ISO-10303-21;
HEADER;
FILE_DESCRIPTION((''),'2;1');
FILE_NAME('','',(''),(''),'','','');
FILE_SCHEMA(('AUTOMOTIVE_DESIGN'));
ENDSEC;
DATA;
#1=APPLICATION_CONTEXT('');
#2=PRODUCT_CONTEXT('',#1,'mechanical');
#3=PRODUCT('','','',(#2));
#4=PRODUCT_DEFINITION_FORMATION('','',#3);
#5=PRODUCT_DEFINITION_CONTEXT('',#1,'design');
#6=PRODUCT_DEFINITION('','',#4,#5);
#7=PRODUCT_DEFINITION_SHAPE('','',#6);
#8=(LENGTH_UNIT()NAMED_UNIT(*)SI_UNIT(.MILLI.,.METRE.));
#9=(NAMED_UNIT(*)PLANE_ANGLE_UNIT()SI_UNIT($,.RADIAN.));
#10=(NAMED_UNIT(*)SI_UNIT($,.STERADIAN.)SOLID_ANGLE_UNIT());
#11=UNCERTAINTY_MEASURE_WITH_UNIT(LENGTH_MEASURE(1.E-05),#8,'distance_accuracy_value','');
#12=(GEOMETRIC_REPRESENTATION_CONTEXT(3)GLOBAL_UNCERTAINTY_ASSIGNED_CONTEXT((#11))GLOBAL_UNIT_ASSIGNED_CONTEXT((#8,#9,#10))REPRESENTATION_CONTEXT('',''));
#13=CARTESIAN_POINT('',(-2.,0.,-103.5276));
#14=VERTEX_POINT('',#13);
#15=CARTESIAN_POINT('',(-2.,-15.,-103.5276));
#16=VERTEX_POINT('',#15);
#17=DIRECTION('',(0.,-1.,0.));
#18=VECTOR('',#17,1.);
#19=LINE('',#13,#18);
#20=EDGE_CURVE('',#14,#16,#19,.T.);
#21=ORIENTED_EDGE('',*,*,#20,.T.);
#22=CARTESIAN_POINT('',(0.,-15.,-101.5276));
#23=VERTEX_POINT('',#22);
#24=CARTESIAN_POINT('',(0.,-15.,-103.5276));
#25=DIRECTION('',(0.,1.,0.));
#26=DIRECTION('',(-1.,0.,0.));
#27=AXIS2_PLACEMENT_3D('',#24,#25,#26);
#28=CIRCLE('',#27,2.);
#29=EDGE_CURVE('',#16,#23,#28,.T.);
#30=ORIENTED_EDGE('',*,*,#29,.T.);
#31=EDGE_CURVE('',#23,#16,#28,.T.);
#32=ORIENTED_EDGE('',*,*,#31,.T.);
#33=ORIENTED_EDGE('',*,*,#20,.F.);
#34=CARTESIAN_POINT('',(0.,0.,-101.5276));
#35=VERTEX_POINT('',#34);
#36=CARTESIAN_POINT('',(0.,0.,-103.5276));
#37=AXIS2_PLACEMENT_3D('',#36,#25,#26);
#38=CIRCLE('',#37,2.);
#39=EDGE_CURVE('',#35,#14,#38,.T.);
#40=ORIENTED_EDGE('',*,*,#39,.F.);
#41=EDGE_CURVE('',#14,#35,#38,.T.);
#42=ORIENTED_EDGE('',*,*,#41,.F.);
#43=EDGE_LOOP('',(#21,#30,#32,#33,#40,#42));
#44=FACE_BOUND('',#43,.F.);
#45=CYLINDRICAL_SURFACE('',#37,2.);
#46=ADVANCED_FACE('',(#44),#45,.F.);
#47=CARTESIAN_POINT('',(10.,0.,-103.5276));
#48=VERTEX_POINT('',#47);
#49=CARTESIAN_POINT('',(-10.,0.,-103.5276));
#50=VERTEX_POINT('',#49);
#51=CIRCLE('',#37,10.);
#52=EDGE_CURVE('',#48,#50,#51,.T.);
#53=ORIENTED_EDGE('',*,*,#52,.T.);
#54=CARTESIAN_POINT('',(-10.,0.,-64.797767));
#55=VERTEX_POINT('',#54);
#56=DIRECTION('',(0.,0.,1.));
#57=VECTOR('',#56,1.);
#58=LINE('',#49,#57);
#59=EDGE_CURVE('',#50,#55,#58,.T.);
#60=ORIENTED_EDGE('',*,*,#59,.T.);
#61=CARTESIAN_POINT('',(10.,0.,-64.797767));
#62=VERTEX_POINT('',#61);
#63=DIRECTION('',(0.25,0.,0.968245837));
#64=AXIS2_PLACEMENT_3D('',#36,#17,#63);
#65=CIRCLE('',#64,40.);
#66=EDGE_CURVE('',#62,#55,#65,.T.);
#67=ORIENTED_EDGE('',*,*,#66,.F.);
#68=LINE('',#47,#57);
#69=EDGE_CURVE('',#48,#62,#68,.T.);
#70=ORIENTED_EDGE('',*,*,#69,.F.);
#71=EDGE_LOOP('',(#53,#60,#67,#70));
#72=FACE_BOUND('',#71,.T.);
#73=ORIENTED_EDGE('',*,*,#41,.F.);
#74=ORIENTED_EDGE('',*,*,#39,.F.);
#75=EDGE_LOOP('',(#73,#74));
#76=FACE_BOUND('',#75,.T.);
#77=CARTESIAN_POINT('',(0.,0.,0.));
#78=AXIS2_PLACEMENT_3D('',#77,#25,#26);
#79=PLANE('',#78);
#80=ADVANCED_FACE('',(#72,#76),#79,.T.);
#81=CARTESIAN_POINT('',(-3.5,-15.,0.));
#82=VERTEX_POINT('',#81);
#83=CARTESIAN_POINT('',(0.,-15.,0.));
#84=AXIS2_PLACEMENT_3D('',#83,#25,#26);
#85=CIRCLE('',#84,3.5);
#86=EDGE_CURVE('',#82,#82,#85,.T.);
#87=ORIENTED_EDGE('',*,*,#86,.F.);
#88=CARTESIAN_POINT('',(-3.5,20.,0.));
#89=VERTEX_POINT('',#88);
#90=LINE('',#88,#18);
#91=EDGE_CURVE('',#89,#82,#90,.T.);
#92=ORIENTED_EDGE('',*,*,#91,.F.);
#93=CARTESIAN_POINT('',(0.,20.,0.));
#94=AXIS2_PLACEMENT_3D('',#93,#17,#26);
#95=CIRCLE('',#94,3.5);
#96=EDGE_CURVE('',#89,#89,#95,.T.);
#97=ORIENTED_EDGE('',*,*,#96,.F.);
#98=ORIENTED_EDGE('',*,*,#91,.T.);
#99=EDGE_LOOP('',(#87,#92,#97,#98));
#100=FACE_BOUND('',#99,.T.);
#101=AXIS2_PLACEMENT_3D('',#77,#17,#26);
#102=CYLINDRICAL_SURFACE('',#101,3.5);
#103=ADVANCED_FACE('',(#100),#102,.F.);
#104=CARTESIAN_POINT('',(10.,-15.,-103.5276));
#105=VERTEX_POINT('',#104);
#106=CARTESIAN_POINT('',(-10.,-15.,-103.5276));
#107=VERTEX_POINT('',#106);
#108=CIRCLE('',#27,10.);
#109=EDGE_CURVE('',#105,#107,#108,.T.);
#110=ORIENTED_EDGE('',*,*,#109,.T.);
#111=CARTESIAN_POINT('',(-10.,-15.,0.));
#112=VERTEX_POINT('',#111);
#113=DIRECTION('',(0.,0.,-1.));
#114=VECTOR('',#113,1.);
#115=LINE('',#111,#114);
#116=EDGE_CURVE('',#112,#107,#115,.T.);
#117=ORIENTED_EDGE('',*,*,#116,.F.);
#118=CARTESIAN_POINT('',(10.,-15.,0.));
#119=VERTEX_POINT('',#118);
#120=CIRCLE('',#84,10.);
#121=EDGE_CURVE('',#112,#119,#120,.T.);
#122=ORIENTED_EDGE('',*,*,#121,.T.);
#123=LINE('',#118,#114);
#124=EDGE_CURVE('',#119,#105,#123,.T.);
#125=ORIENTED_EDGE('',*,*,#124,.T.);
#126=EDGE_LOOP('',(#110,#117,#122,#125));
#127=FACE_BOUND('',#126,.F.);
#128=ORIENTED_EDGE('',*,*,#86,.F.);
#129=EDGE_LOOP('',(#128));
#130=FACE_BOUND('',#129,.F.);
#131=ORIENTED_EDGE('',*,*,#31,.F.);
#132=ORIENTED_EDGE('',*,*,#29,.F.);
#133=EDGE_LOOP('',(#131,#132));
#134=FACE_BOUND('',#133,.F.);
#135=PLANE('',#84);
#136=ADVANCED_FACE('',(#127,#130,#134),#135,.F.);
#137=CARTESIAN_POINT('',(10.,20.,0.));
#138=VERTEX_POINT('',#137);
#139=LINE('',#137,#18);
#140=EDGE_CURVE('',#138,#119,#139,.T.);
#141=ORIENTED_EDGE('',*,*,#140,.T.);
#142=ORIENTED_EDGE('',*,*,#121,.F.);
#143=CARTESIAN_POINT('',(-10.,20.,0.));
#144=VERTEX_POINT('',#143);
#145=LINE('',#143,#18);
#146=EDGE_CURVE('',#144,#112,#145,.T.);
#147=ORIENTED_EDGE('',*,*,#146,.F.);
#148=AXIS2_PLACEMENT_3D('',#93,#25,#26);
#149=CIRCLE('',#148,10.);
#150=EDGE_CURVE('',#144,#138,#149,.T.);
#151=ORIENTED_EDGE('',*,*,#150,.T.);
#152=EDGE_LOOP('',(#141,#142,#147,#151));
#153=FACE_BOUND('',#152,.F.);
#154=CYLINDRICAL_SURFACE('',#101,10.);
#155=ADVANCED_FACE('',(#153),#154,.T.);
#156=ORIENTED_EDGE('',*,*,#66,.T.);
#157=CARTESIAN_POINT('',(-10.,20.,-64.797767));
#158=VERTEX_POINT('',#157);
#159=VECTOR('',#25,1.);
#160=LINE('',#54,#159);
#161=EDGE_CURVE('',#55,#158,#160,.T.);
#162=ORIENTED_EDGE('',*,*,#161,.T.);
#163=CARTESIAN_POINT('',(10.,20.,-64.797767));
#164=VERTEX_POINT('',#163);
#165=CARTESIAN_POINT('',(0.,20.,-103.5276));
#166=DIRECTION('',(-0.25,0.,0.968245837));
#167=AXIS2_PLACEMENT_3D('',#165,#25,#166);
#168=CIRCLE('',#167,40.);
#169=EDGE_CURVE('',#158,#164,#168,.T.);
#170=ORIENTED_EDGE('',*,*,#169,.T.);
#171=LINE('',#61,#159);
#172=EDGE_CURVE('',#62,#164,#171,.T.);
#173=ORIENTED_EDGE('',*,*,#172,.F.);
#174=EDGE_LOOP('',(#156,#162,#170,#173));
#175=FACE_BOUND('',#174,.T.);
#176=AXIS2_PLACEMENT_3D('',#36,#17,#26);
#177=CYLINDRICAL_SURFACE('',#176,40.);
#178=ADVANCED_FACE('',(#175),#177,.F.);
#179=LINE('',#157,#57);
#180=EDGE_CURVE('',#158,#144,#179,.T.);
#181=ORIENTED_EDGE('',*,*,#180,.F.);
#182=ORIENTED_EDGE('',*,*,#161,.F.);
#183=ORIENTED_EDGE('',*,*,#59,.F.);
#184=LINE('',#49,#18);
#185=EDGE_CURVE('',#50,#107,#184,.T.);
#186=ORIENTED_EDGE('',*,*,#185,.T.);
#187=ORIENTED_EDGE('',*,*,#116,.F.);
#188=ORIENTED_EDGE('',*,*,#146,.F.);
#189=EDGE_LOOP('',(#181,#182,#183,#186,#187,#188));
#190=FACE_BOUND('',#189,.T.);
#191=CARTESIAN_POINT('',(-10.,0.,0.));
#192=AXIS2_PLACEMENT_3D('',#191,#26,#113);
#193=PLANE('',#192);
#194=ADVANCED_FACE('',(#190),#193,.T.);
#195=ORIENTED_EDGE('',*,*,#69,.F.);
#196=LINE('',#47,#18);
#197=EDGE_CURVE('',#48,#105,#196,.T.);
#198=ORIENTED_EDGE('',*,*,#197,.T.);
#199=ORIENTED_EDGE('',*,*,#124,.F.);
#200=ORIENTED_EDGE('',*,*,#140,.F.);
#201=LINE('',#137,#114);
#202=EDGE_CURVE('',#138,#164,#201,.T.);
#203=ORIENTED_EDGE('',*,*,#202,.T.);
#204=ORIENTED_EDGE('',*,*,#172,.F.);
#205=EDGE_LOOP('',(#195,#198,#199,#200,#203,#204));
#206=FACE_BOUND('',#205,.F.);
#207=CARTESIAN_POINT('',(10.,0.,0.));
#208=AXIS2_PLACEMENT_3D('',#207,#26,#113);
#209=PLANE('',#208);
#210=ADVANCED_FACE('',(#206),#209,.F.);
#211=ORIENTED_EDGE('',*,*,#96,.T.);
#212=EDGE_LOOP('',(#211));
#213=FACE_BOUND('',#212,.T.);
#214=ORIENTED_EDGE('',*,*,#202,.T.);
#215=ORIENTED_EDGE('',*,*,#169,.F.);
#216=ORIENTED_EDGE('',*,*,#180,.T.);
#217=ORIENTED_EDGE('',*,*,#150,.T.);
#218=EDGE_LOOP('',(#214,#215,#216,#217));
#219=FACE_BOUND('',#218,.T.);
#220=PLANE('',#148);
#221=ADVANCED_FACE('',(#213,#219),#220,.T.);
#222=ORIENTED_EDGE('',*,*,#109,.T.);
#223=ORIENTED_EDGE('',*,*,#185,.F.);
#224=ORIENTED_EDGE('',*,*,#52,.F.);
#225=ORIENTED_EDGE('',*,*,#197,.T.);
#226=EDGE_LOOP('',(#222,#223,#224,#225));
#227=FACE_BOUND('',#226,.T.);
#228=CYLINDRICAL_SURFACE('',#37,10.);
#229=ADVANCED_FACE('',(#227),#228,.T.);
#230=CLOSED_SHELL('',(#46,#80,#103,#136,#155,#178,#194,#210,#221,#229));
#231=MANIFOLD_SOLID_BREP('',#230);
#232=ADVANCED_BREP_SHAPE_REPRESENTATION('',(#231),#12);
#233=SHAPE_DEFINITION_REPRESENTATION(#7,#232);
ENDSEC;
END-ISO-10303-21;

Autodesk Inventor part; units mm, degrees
ref_plane "YZ Plane" through (0, 0, 0) normal (1, 0, 0) x (0, 1, 0)
ref_plane "XZ Plane" through (0, 0, 0) normal (0, 1, 0) x (-1, 0, 0)
ref_plane "XY Plane" through (0, 0, 0) normal (0, 0, 1) x (1, 0, 0)
sketch "Sketch1" plane through (0, 0, 0) normal (0, 1, 0) x (-1, 0, 0)
  circle A0 centre (0, 0) radius 100
  line L0 (0, 0) -> (18.5658, -69.2885)
  line L1 (0, 0) -> (0, -103.5276)
  arc A1 (24.6448, -72.6673) -> (14.9907, -75.2542) centre (0, 0) ccw
  circle A2 centre (25.8819, -96.5926) radius 5
  arc A3 (24.729, -72.9816) -> (15.0747, -75.5678) centre (19.8599, -74.1181) ccw
  line L2 (30.6777, -95.1782) -> (24.6448, -72.6673)
  line L3 (21.0523, -97.8867) -> (14.9907, -75.2542)
  circle A4 centre (0, -103.5276) radius 11.6229
  line L4 (21.0523, -97.8867) -> (25.8819, -96.5926)
  arc A5 (-25.8819, -96.5926) -> (26.7197, -101.5219) centre (0, -103.5276) ccw
  circle A6 centre (0, -103.5276) radius 40
  arc A7 (57.9067, -50.8394) -> (50.8389, -57.9063) centre (54.2582, -54.2582) ccw
  line L5 (67.1751, -74.2462) -> (50.6094, -57.6767)
  line L6 (74.1567, -67.0879) -> (57.6767, -50.6094)
  circle A8 centre (70.7107, -70.7107) radius 5
  circle A9 centre (51.7638, -89.6575) radius 11.6229
  arc A10 (75.5684, -15.0748) -> (72.9809, -24.7289) centre (74.1181, -19.8599) ccw
  line L7 (95.2985, -30.7115) -> (72.6673, -24.6448)
  line L8 (97.7655, -21.0214) -> (75.2542, -14.9907)
  circle A11 centre (96.5926, -25.8819) radius 5
  circle A12 centre (89.6575, -51.7638) radius 11.6229
  arc A13 (72.9816, 24.729) -> (75.5678, 15.0747) centre (74.1181, 19.8599) ccw
  line L9 (97.8867, 21.0523) -> (75.2542, 14.9907)
  line L10 (95.1782, 30.6777) -> (72.6673, 24.6448)
  circle A14 centre (96.5926, 25.8819) radius 5
  circle A15 centre (103.5276, 0) radius 11.6229
  arc A16 (50.8394, 57.9067) -> (57.9063, 50.8389) centre (54.2582, 54.2582) ccw
  line L11 (74.2462, 67.1751) -> (57.6767, 50.6094)
  line L12 (67.0879, 74.1567) -> (50.6094, 57.6767)
  circle A17 centre (70.7107, 70.7107) radius 5
  circle A18 centre (89.6575, 51.7638) radius 11.6229
  arc A19 (15.0748, 75.5684) -> (24.7289, 72.9809) centre (19.8599, 74.1181) ccw
  line L13 (30.7115, 95.2985) -> (24.6448, 72.6673)
  line L14 (21.0214, 97.7655) -> (14.9907, 75.2542)
  circle A20 centre (25.8819, 96.5926) radius 5
  circle A21 centre (51.7638, 89.6575) radius 11.6229
  arc A22 (-24.729, 72.9816) -> (-15.0747, 75.5678) centre (-19.8599, 74.1181) ccw
  line L15 (-21.0523, 97.8867) -> (-14.9907, 75.2542)
  line L16 (-30.6777, 95.1782) -> (-24.6448, 72.6673)
  circle A23 centre (-25.8819, 96.5926) radius 5
  circle A24 centre (0, 103.5276) radius 11.6229
  arc A25 (-57.9067, 50.8394) -> (-50.8389, 57.9063) centre (-54.2582, 54.2582) ccw
  line L17 (-67.1751, 74.2462) -> (-50.6094, 57.6767)
  line L18 (-74.1567, 67.0879) -> (-57.6767, 50.6094)
  circle A26 centre (-70.7107, 70.7107) radius 5
  circle A27 centre (-51.7638, 89.6575) radius 11.6229
  arc A28 (-75.5684, 15.0748) -> (-72.9809, 24.7289) centre (-74.1181, 19.8599) ccw
  line L19 (-95.2985, 30.7115) -> (-72.6673, 24.6448)
  line L20 (-97.7655, 21.0214) -> (-75.2542, 14.9907)
  circle A29 centre (-96.5926, 25.8819) radius 5
  circle A30 centre (-89.6575, 51.7638) radius 11.6229
  arc A31 (-72.9816, -24.729) -> (-75.5678, -15.0747) centre (-74.1181, -19.8599) ccw
  line L21 (-97.8867, -21.0523) -> (-75.2542, -14.9907)
  line L22 (-95.1782, -30.6777) -> (-72.6673, -24.6448)
  circle A32 centre (-96.5926, -25.8819) radius 5
  circle A33 centre (-103.5276, 0) radius 11.6229
  arc A34 (-50.8394, -57.9067) -> (-57.9063, -50.8389) centre (-54.2582, -54.2582) ccw
  line L23 (-74.2462, -67.1751) -> (-57.6767, -50.6094)
  line L24 (-67.0879, -74.1567) -> (-50.6094, -57.6767)
  circle A35 centre (-70.7107, -70.7107) radius 5
  circle A36 centre (-89.6575, -51.7638) radius 11.6229
  arc A37 (-15.0748, -75.5684) -> (-24.7289, -72.9809) centre (-19.8599, -74.1181) ccw
  line L25 (-30.7115, -95.2985) -> (-24.6448, -72.6673)
  line L26 (-21.0214, -97.7655) -> (-14.9907, -75.2542)
  circle A38 centre (-25.8819, -96.5926) radius 5
  circle A39 centre (-51.7638, -89.6575) radius 11.6229
  circle A40 centre (0, 0) radius 3.5
  circle A41 centre (0, -103.5276) radius 2
  circle A42 centre (0, 0) radius 10
  circle A43 centre (0, -103.5276) radius 10
  line L27 (10, 0) -> (10, -103.5276)
  line L28 (-10, 0) -> (-10, -103.5276)
  point P0 (50.7227, -50.7227)
  point P1 (73.9009, -74.5607)
  point P2 (69.2885, -18.5658)
  point P3 (101.2804, -27.621)
  point P4 (69.2885, 18.5658)
  point P5 (101.5219, 26.7197)
  point P6 (50.7227, 50.7227)
  point P7 (74.5607, 73.9009)
  point P8 (18.5658, 69.2885)
  point P9 (27.621, 101.2804)
  point P10 (-18.5658, 69.2885)
  point P11 (-26.7197, 101.5219)
  point P12 (-50.7227, 50.7227)
  point P13 (-73.9009, 74.5607)
  point P14 (-69.2885, 18.5658)
  point P15 (-101.2804, 27.621)
  point P16 (-69.2885, -18.5658)
  point P17 (-101.5219, -26.7197)
  point P18 (-50.7227, -50.7227)
  point P19 (-74.5607, -73.9009)
  point P20 (-18.5658, -69.2885)
  point P21 (-27.621, -101.2804)
  point P22 (40.2917, -91.5236)
  point P23 (59.1159, -80.6555)
  point P24 (67.0867, -74.1578)
  point P25 (80.6555, -59.1159)
  point P26 (91.5236, -40.2917)
  point P27 (95.1777, -30.6791)
  point P28 (99.4077, -10.8682)
  point P29 (99.4077, 10.8682)
  point P30 (97.7659, 21.0199)
  point P31 (91.5236, 40.2917)
  point P32 (80.6555, 59.1159)
  point P33 (74.1578, 67.0867)
  point P34 (59.1159, 80.6555)
  point P35 (40.2917, 91.5236)
  point P36 (30.6791, 95.1777)
  point P37 (10.8682, 99.4077)
  point P38 (-10.8682, 99.4077)
  point P39 (-21.0199, 97.7659)
  point P40 (-40.2917, 91.5236)
  point P41 (-59.1159, 80.6555)
  point P42 (-67.0867, 74.1578)
  point P43 (-80.6555, 59.1159)
  point P44 (-91.5236, 40.2917)
  point P45 (-95.1777, 30.6791)
  point P46 (-99.4077, 10.8682)
  point P47 (-99.4077, -10.8682)
  point P48 (-97.7659, -21.0199)
  point P49 (-91.5236, -40.2917)
  point P50 (-80.6555, -59.1159)
  point P51 (-74.1578, -67.0867)
  point P52 (-59.1159, -80.6555)
  point P53 (-40.2917, -91.5236)
  point P54 (-30.6791, -95.1777)
  point P55 (-10.8682, -99.4077)
  point P56 (10.8682, -99.4077)
  point P57 (21.0199, -97.7659)
  point P58 (-10, -64.7978)
  point P59 (10, -64.7978)
  dimension "d2" = 200
  dimension "d3" = 15
  dimension "d4" = 10
  dimension "d5" = 10
  dimension "d6" = 80
  dimension "d7" = 360
  dimension "d8" = 7
  dimension "d9" = 4
  dimension "d10" = 20
  dimension "d11" = 20
extrude "Extrusion1" add sketch "Sketch1" along normal blind 20 contours L28 A42 L1 A6 | L1 A42 L0 L27 A6 | A42 L0 A40 L1 | L1 A40 L0 A42 | L27 L0 A42
extrude "Extrusion2" add sketch "Sketch1" against normal blind 15 contours L28 A4 L1 A43 A0 | A0 A43 L28 | L28 A1 L1 A4 | A43 L1 A0 | A0 A43 | A4 L27 A0 A43 L1 | L1 A1 L27 A4 | L28 A6 L1 A1 | L1 A43 A0 | A43 A0 L27 | L1 A6 L27 A1 | L28 A42 L1 A6 | L1 A42 L0 L27 A6 | A42 L0 A40 L1 | L1 A40 L0 A42 | L27 L0 A42
properties part number "Bridge 12"
